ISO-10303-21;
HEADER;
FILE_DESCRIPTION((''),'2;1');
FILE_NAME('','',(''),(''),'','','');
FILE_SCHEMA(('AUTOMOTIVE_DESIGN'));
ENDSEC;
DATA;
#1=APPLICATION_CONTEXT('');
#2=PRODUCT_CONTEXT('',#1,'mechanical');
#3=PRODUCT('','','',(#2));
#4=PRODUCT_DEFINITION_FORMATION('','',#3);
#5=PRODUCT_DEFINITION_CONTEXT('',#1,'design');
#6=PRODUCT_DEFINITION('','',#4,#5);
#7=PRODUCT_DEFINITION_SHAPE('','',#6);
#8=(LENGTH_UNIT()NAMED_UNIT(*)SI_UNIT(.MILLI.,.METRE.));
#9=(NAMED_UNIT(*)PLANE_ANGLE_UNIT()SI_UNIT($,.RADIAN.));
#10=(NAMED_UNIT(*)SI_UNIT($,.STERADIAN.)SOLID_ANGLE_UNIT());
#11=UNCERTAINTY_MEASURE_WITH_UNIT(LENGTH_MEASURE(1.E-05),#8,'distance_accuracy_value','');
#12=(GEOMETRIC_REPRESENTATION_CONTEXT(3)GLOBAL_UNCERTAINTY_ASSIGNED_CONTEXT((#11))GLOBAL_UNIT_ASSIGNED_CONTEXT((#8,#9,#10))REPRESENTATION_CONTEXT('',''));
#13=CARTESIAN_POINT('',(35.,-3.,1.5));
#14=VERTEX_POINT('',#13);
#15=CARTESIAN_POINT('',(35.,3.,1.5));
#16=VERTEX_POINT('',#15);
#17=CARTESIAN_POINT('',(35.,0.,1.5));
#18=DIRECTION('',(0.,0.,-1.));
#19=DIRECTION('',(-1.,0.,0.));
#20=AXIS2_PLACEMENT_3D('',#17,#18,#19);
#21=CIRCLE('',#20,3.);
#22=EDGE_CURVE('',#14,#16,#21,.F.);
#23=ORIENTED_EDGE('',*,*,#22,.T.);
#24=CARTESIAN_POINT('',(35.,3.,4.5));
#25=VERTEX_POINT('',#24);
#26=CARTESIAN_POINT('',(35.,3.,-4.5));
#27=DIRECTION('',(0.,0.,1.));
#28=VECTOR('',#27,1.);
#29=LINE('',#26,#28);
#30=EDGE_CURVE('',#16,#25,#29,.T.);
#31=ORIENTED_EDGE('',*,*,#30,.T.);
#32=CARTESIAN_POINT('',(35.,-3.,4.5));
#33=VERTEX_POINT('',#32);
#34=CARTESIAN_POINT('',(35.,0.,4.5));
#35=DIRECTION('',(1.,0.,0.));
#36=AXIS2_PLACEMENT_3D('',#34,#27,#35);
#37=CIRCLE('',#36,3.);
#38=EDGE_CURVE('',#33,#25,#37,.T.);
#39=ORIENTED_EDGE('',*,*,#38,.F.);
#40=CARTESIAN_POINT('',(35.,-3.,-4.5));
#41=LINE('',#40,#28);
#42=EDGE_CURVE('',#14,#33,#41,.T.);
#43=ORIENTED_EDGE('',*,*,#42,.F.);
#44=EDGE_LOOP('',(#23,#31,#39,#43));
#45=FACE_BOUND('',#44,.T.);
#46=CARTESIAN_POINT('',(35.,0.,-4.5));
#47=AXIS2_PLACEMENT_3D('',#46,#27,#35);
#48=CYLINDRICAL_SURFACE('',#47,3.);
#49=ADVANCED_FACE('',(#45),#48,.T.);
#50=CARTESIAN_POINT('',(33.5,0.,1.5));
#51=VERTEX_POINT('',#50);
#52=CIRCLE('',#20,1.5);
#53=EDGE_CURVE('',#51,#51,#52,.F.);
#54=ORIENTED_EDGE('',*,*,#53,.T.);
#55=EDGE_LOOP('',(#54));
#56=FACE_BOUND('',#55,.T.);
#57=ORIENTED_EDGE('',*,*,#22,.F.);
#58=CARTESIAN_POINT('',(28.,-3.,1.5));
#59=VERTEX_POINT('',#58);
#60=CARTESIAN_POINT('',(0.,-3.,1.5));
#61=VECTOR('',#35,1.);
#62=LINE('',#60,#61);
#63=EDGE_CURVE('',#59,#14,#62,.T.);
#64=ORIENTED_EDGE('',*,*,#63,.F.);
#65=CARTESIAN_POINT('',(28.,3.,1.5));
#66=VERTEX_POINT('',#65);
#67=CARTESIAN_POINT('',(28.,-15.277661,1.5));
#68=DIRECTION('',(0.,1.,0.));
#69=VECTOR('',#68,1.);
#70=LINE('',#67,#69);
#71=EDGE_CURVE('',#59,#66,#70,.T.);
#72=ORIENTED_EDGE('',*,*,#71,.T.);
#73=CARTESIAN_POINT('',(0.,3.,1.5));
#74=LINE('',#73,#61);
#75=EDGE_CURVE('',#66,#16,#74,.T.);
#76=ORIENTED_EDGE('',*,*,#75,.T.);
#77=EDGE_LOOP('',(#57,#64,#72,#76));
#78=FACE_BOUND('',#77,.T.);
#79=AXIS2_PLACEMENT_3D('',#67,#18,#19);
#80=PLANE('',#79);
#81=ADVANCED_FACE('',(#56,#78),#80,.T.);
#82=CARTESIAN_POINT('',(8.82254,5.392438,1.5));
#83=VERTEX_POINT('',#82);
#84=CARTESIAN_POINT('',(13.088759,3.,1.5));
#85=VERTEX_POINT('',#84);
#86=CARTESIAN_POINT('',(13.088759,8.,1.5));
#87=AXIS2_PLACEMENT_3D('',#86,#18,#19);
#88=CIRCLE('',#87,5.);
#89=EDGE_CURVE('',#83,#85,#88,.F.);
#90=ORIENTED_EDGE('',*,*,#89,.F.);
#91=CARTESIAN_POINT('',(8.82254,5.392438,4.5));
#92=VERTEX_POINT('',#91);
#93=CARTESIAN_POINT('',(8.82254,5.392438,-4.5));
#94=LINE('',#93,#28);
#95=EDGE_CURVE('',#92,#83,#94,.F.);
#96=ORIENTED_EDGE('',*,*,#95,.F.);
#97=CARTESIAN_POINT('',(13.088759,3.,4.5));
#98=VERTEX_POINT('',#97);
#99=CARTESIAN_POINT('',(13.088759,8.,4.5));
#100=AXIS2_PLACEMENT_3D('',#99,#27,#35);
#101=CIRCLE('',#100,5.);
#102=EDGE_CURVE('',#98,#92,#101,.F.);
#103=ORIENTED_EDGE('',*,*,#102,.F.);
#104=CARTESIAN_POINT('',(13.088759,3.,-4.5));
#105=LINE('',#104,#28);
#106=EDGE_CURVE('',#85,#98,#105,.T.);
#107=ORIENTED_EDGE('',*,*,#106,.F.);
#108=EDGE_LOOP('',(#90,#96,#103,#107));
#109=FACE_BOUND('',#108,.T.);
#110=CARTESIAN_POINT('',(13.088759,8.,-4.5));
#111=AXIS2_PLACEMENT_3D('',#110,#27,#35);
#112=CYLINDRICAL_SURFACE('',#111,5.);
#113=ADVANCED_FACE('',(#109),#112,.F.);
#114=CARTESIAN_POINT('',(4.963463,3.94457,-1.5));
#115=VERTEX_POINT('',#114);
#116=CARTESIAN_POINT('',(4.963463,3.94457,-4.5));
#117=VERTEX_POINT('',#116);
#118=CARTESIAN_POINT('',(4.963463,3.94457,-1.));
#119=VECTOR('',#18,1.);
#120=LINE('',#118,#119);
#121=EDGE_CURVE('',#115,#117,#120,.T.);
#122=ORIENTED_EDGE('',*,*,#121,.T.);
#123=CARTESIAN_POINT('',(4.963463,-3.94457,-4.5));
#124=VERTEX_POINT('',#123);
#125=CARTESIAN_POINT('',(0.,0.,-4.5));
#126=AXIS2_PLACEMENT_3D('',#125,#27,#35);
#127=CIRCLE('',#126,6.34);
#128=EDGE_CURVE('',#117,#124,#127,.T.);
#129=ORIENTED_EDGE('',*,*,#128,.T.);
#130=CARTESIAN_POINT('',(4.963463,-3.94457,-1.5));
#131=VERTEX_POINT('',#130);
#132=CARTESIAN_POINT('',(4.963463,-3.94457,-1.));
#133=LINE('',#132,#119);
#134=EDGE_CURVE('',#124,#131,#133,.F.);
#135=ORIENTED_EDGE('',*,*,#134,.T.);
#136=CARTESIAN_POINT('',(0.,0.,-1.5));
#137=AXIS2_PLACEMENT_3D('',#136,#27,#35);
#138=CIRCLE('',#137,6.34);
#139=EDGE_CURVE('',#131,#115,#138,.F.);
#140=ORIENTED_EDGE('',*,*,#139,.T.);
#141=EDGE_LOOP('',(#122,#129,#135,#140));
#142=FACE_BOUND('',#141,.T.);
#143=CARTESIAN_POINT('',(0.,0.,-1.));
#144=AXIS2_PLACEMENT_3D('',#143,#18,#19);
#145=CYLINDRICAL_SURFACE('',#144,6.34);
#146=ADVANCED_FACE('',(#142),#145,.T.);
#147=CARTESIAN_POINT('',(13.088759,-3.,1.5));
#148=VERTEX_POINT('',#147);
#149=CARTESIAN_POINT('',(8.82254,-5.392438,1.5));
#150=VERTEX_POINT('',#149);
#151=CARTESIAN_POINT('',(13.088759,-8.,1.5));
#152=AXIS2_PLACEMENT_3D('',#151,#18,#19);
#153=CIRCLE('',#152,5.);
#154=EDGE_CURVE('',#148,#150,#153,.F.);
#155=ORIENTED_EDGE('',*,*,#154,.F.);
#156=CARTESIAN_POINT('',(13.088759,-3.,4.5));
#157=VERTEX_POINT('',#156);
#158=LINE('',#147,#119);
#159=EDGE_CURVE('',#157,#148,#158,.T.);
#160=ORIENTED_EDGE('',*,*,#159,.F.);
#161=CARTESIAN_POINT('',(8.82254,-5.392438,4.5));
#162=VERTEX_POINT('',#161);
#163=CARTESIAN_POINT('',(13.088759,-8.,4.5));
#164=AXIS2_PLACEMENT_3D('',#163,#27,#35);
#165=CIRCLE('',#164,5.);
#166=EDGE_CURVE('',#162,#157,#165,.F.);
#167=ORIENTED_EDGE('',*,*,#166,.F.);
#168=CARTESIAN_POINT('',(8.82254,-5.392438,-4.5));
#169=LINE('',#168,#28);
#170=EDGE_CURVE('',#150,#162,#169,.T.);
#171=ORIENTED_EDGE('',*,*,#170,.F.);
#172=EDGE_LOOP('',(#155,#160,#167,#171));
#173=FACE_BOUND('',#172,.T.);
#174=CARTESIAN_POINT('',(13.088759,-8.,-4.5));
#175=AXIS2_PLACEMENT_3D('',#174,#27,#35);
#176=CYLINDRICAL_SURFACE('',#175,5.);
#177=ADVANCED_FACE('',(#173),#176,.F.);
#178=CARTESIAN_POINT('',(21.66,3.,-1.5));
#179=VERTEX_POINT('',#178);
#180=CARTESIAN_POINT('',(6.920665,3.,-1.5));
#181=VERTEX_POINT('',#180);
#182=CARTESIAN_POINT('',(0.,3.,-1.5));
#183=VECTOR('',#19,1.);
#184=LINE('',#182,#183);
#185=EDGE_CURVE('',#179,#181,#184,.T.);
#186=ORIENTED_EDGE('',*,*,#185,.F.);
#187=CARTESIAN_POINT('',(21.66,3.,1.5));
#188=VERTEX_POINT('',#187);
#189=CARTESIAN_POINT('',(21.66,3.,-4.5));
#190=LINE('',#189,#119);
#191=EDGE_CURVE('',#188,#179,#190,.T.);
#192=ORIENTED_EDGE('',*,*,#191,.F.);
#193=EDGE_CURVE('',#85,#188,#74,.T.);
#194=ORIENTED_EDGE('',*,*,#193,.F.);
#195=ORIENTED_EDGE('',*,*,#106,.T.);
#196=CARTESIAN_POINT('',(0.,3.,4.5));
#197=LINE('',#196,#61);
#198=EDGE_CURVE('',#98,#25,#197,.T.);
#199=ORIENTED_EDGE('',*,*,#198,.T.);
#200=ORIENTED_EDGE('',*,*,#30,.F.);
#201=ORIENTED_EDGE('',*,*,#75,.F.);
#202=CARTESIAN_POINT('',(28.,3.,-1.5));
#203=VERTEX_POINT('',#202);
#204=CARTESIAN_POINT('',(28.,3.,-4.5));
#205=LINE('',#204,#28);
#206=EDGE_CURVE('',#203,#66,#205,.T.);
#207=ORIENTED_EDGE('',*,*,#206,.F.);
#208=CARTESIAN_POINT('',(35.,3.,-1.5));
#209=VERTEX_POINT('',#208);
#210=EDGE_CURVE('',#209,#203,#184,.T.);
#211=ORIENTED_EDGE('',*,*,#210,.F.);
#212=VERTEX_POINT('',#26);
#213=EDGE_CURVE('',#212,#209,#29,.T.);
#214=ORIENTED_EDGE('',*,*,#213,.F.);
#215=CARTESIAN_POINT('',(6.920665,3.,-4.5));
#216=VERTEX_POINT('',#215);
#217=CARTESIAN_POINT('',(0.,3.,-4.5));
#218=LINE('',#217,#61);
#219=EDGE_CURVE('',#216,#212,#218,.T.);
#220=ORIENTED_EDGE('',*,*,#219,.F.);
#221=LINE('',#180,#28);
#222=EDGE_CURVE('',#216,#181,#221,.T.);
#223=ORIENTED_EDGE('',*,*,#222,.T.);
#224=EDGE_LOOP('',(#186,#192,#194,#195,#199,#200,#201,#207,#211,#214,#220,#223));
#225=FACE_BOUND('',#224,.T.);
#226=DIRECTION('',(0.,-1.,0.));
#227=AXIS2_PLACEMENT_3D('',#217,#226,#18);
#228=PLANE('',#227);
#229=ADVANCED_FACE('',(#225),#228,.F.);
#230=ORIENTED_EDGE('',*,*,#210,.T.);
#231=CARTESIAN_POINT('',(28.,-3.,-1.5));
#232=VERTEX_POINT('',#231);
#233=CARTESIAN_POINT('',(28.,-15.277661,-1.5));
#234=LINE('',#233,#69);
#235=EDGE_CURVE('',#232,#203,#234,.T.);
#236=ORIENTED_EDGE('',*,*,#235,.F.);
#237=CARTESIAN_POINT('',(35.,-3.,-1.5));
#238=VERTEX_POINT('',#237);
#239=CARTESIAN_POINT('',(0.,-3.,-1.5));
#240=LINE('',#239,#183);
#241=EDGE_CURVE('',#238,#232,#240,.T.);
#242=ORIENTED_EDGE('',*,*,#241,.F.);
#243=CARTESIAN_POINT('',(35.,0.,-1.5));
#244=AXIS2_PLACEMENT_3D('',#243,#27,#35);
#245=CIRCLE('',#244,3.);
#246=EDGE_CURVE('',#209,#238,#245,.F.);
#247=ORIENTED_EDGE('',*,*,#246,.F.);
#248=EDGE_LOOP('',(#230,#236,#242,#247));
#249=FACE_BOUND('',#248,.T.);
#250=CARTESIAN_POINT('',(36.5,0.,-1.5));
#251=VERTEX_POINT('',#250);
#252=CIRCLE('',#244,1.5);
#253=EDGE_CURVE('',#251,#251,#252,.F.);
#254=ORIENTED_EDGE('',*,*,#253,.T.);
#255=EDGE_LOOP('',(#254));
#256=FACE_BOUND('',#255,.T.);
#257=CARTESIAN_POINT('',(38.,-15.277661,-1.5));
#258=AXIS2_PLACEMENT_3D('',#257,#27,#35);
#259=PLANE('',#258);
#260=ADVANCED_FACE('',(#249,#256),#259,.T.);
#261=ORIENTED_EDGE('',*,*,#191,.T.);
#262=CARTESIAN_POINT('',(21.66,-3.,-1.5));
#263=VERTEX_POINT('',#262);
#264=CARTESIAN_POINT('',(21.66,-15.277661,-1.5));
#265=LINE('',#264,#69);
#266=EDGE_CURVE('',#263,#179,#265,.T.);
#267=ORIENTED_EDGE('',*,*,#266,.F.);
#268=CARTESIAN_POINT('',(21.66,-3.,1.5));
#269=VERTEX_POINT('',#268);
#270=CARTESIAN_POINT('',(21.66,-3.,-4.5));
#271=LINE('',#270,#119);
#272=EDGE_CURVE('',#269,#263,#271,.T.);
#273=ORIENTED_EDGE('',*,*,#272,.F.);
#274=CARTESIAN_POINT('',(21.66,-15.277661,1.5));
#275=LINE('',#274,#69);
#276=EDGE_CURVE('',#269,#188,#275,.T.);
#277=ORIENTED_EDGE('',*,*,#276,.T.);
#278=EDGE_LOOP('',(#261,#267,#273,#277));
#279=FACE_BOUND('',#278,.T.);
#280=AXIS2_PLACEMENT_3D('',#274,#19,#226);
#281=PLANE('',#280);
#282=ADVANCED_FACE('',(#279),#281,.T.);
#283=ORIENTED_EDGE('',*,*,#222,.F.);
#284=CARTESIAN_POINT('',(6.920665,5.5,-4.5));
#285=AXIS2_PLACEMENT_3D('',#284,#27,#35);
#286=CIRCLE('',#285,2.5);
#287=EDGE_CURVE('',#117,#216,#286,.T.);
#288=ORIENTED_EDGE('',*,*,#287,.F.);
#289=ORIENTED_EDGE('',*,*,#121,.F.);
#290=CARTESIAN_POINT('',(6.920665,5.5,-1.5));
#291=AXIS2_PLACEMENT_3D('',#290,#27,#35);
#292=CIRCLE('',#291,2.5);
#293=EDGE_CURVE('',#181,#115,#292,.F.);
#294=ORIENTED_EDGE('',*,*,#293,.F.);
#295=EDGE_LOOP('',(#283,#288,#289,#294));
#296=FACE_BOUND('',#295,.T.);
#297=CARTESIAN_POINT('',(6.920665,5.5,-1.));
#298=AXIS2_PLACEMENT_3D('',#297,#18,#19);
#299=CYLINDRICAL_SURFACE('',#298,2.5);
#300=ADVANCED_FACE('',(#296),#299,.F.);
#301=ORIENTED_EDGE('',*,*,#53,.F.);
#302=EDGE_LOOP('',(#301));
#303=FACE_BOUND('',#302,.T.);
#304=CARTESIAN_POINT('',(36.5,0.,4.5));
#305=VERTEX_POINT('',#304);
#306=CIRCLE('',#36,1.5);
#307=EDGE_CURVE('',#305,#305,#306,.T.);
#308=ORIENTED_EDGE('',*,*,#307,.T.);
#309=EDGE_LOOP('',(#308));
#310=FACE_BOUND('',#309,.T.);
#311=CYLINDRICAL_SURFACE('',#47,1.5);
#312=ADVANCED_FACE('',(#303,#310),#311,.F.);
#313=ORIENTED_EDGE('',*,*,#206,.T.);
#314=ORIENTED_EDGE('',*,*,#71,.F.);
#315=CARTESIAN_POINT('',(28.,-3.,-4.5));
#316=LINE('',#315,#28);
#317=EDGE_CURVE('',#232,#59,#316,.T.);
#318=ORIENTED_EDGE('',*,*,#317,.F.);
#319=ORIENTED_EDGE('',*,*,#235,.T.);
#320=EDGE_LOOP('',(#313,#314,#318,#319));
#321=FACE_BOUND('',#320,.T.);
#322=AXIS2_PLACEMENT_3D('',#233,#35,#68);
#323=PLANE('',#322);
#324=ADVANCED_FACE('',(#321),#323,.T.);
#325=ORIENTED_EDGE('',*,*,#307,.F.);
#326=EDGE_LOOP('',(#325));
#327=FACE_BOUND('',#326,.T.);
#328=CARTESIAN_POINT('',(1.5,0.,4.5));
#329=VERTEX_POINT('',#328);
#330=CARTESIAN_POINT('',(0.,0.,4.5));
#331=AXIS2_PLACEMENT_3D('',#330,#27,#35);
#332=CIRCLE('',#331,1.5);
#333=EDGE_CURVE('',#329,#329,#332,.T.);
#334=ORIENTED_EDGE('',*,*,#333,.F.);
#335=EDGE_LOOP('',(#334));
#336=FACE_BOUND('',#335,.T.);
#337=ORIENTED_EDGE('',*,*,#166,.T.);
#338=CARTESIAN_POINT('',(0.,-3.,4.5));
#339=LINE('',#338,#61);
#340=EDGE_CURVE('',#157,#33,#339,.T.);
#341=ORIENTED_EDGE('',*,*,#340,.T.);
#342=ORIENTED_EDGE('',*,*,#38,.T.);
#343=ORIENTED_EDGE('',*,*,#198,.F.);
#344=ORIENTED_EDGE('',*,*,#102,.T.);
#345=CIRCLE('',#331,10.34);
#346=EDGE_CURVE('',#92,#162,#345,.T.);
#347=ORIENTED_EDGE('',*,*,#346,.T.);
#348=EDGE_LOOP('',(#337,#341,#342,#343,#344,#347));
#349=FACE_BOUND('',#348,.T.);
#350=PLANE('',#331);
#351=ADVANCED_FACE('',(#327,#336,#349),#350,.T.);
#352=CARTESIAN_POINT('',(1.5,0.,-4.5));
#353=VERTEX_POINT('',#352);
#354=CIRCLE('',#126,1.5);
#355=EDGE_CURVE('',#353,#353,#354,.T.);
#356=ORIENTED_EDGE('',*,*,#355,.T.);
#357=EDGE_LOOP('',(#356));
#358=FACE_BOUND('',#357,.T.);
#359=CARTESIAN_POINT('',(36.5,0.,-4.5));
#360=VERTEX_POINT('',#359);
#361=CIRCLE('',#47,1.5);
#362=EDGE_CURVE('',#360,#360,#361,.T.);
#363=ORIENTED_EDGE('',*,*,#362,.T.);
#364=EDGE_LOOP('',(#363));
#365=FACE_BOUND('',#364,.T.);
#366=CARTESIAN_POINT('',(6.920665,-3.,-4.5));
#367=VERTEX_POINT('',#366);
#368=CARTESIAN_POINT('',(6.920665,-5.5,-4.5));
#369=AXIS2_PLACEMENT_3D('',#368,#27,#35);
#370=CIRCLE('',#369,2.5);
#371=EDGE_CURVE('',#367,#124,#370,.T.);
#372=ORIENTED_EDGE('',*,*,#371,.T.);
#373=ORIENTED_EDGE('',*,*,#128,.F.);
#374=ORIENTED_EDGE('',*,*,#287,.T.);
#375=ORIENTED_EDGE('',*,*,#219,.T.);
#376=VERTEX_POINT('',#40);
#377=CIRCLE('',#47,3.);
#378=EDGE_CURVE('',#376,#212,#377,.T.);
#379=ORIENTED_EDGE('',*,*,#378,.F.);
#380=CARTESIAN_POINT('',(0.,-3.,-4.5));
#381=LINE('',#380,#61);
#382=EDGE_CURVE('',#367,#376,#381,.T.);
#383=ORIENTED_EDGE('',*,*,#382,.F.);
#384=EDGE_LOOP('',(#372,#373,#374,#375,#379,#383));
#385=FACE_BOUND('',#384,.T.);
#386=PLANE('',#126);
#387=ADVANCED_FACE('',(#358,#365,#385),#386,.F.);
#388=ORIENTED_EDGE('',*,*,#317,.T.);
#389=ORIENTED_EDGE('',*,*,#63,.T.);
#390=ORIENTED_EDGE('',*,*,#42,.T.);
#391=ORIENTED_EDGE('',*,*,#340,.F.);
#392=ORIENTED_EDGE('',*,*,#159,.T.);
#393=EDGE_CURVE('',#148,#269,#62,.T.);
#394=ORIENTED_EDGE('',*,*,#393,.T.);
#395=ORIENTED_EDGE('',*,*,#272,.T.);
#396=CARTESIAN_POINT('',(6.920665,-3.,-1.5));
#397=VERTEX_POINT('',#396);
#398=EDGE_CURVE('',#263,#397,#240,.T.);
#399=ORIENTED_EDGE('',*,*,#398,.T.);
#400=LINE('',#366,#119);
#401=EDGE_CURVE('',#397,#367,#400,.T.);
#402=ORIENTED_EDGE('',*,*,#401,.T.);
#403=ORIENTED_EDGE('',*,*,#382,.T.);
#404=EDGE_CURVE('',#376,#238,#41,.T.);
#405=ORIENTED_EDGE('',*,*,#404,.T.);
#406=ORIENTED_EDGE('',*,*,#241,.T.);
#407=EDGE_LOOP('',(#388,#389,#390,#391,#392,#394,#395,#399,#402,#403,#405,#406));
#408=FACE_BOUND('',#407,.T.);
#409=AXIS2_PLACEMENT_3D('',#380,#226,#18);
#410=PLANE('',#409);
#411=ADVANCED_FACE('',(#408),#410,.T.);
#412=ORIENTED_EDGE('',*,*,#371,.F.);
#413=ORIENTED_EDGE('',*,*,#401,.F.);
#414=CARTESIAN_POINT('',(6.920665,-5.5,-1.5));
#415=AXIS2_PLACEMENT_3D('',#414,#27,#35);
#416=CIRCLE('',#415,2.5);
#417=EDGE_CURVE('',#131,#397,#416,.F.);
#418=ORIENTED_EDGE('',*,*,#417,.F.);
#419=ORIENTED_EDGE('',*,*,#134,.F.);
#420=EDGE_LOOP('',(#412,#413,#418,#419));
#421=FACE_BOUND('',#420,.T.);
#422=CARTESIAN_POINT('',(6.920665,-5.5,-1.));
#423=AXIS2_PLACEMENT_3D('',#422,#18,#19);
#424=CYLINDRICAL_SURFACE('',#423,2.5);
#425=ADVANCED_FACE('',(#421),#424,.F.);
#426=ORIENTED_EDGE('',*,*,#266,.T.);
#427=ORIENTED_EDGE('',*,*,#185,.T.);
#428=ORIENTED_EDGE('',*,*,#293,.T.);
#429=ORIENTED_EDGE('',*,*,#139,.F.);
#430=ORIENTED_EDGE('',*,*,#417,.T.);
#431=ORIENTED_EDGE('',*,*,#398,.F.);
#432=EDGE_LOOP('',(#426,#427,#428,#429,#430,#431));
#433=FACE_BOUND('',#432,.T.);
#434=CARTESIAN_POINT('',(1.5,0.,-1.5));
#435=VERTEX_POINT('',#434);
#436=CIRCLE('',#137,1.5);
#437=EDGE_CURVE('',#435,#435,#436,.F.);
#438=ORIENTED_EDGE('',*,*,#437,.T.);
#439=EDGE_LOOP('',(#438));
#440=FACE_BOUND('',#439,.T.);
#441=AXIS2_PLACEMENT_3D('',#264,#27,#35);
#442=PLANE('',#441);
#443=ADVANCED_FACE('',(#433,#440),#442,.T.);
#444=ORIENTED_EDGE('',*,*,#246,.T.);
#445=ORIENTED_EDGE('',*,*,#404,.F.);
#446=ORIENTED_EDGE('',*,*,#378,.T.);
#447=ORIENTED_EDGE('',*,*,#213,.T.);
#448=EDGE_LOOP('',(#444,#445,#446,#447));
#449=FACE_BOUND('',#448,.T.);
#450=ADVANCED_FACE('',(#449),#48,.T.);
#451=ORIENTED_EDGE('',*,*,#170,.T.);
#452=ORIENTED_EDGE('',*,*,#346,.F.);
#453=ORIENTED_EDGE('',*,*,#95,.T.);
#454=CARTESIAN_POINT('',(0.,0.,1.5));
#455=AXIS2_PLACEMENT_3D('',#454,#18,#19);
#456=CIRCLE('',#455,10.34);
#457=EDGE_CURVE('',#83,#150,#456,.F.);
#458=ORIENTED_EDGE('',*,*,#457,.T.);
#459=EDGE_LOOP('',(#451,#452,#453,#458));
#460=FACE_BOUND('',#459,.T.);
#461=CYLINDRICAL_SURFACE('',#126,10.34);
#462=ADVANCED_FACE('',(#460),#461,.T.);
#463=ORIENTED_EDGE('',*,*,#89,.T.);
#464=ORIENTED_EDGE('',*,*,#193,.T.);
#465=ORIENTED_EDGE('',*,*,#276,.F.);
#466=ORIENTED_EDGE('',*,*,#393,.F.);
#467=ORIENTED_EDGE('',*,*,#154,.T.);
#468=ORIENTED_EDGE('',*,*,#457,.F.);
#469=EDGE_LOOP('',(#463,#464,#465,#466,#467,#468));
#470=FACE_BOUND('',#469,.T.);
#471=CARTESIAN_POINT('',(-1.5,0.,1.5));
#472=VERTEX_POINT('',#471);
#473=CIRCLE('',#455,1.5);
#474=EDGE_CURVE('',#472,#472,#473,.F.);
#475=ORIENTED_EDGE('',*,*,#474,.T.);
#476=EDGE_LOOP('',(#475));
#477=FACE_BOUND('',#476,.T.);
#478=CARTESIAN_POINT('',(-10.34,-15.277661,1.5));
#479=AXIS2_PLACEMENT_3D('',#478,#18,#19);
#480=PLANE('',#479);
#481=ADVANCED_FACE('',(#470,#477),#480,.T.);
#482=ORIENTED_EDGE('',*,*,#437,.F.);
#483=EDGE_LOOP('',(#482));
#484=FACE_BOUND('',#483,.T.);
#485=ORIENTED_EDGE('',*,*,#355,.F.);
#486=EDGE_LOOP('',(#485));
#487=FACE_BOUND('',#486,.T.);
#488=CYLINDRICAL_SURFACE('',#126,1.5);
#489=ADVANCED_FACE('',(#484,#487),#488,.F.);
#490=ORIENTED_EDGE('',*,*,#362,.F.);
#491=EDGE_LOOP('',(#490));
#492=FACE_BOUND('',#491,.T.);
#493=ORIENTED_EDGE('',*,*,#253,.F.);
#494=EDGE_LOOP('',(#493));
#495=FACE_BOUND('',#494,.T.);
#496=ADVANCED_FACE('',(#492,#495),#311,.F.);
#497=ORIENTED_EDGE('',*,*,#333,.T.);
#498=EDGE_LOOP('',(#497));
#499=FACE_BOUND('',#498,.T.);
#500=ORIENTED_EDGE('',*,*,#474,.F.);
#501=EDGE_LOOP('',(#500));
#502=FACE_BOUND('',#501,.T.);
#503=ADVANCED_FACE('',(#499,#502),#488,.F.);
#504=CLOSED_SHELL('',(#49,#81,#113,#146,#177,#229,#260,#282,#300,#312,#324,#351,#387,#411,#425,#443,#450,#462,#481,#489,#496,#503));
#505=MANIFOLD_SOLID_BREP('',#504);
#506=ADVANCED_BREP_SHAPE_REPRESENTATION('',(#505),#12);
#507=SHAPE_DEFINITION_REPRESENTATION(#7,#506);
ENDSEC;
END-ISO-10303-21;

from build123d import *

# Parameters (mm, degrees)
ESTRUSIONE_ESTRUSIONE1_DEPTH      = 4.5
ESTRUSIONE_ESTRUSIONE1_DEPTH_BACK = 4.5
SCHIZZO1_R                        = 1.5
TAGLIO_ESTRUSIONE1_DEPTH          = 12.277661417
TAGLIO_ESTRUSIONE1_DEPTH_BACK     = 23.284267349
SCHIZZO2_W                        = 32
SCHIZZO2_H                        = 3
SCHIZZO2_W_2                      = 10
TAGLIO_ESTRUSIONE3_DEPTH          = 3.5
RACCORDO1_R                       = 5
RACCORDO2_R                       = 5
RACCORDO3_R                       = 2.5
RACCORDO4_R                       = 2.5


with BuildPart() as part:
    # Schizzo1 → Estrusione-Estrusione1 (new, two sides: drawn at the far end of the back side and taken through both)
    with BuildSketch(Plane.XY.offset(-ESTRUSIONE_ESTRUSIONE1_DEPTH_BACK)):
        with BuildLine():
            ThreePointArc((9.895231175, 3), (-10.34, 0), (9.895231175, -3))
            Line((9.895231175, -3), (35, -3))
            ThreePointArc((35, -3), (38, 0), (35, 3))
            Line((35, 3), (9.895231175, 3))
        make_face()
        Circle(SCHIZZO1_R, mode=Mode.SUBTRACT)
        with Locations((35, 0)):
            Circle(SCHIZZO1_R, mode=Mode.SUBTRACT)
    extrude(amount=ESTRUSIONE_ESTRUSIONE1_DEPTH + ESTRUSIONE_ESTRUSIONE1_DEPTH_BACK)

    # Schizzo2 → Taglio-Estrusione1 (cut, two sides: drawn at the far end of the back side and taken through both)
    with BuildSketch(Plane(origin=(0, -3, 0), x_dir=(-1, 0, 0), z_dir=(0, -1, 0)).offset(-TAGLIO_ESTRUSIONE1_DEPTH_BACK)):
        with Locations((-5.66, 0)):
            Rectangle(SCHIZZO2_W, SCHIZZO2_H)
        with Locations((-33, 0)):
            Rectangle(SCHIZZO2_W_2, SCHIZZO2_H)
    extrude(amount=TAGLIO_ESTRUSIONE1_DEPTH + TAGLIO_ESTRUSIONE1_DEPTH_BACK, mode=Mode.SUBTRACT)

    # Schizzo18 → Taglio-Estrusione3 (cut)
    with BuildSketch(Plane(origin=(0, 0, -4.5), x_dir=(-1, 0, 0), z_dir=(0, 0, -1))):
        with BuildLine():
            Line((-9.895231175, 3), (-5.58530214, 3))
            ThreePointArc((-5.58530214, 3), (6.34, 0), (-5.58530214, -3))
            Line((-5.58530214, -3), (-9.895231175, -3))
            ThreePointArc((-9.895231175, -3), (10.34, 0), (-9.895231175, 3))
        make_face()
    extrude(amount=-TAGLIO_ESTRUSIONE3_DEPTH, mode=Mode.SUBTRACT)

    # Raccordo1
    raccordo1_edges = [part.edges().sort_by_distance(p)[0] for p in [
        (9.895231175, 3, 3),
    ]]
    fillet(raccordo1_edges, radius=RACCORDO1_R)

    # Raccordo2
    raccordo2_edges = [part.edges().sort_by_distance(p)[0] for p in [
        (9.895231175, -3, 3),
    ]]
    fillet(raccordo2_edges, radius=RACCORDO2_R)

    # Raccordo3
    raccordo3_edges = [part.edges().sort_by_distance(p)[0] for p in [
        (5.58530214, 3, -3),
    ]]
    fillet(raccordo3_edges, radius=RACCORDO3_R)

    # Raccordo4
    raccordo4_edges = [part.edges().sort_by_distance(p)[0] for p in [
        (5.58530214, -3, -3),
    ]]
    fillet(raccordo4_edges, radius=RACCORDO4_R)


solid = part.part
